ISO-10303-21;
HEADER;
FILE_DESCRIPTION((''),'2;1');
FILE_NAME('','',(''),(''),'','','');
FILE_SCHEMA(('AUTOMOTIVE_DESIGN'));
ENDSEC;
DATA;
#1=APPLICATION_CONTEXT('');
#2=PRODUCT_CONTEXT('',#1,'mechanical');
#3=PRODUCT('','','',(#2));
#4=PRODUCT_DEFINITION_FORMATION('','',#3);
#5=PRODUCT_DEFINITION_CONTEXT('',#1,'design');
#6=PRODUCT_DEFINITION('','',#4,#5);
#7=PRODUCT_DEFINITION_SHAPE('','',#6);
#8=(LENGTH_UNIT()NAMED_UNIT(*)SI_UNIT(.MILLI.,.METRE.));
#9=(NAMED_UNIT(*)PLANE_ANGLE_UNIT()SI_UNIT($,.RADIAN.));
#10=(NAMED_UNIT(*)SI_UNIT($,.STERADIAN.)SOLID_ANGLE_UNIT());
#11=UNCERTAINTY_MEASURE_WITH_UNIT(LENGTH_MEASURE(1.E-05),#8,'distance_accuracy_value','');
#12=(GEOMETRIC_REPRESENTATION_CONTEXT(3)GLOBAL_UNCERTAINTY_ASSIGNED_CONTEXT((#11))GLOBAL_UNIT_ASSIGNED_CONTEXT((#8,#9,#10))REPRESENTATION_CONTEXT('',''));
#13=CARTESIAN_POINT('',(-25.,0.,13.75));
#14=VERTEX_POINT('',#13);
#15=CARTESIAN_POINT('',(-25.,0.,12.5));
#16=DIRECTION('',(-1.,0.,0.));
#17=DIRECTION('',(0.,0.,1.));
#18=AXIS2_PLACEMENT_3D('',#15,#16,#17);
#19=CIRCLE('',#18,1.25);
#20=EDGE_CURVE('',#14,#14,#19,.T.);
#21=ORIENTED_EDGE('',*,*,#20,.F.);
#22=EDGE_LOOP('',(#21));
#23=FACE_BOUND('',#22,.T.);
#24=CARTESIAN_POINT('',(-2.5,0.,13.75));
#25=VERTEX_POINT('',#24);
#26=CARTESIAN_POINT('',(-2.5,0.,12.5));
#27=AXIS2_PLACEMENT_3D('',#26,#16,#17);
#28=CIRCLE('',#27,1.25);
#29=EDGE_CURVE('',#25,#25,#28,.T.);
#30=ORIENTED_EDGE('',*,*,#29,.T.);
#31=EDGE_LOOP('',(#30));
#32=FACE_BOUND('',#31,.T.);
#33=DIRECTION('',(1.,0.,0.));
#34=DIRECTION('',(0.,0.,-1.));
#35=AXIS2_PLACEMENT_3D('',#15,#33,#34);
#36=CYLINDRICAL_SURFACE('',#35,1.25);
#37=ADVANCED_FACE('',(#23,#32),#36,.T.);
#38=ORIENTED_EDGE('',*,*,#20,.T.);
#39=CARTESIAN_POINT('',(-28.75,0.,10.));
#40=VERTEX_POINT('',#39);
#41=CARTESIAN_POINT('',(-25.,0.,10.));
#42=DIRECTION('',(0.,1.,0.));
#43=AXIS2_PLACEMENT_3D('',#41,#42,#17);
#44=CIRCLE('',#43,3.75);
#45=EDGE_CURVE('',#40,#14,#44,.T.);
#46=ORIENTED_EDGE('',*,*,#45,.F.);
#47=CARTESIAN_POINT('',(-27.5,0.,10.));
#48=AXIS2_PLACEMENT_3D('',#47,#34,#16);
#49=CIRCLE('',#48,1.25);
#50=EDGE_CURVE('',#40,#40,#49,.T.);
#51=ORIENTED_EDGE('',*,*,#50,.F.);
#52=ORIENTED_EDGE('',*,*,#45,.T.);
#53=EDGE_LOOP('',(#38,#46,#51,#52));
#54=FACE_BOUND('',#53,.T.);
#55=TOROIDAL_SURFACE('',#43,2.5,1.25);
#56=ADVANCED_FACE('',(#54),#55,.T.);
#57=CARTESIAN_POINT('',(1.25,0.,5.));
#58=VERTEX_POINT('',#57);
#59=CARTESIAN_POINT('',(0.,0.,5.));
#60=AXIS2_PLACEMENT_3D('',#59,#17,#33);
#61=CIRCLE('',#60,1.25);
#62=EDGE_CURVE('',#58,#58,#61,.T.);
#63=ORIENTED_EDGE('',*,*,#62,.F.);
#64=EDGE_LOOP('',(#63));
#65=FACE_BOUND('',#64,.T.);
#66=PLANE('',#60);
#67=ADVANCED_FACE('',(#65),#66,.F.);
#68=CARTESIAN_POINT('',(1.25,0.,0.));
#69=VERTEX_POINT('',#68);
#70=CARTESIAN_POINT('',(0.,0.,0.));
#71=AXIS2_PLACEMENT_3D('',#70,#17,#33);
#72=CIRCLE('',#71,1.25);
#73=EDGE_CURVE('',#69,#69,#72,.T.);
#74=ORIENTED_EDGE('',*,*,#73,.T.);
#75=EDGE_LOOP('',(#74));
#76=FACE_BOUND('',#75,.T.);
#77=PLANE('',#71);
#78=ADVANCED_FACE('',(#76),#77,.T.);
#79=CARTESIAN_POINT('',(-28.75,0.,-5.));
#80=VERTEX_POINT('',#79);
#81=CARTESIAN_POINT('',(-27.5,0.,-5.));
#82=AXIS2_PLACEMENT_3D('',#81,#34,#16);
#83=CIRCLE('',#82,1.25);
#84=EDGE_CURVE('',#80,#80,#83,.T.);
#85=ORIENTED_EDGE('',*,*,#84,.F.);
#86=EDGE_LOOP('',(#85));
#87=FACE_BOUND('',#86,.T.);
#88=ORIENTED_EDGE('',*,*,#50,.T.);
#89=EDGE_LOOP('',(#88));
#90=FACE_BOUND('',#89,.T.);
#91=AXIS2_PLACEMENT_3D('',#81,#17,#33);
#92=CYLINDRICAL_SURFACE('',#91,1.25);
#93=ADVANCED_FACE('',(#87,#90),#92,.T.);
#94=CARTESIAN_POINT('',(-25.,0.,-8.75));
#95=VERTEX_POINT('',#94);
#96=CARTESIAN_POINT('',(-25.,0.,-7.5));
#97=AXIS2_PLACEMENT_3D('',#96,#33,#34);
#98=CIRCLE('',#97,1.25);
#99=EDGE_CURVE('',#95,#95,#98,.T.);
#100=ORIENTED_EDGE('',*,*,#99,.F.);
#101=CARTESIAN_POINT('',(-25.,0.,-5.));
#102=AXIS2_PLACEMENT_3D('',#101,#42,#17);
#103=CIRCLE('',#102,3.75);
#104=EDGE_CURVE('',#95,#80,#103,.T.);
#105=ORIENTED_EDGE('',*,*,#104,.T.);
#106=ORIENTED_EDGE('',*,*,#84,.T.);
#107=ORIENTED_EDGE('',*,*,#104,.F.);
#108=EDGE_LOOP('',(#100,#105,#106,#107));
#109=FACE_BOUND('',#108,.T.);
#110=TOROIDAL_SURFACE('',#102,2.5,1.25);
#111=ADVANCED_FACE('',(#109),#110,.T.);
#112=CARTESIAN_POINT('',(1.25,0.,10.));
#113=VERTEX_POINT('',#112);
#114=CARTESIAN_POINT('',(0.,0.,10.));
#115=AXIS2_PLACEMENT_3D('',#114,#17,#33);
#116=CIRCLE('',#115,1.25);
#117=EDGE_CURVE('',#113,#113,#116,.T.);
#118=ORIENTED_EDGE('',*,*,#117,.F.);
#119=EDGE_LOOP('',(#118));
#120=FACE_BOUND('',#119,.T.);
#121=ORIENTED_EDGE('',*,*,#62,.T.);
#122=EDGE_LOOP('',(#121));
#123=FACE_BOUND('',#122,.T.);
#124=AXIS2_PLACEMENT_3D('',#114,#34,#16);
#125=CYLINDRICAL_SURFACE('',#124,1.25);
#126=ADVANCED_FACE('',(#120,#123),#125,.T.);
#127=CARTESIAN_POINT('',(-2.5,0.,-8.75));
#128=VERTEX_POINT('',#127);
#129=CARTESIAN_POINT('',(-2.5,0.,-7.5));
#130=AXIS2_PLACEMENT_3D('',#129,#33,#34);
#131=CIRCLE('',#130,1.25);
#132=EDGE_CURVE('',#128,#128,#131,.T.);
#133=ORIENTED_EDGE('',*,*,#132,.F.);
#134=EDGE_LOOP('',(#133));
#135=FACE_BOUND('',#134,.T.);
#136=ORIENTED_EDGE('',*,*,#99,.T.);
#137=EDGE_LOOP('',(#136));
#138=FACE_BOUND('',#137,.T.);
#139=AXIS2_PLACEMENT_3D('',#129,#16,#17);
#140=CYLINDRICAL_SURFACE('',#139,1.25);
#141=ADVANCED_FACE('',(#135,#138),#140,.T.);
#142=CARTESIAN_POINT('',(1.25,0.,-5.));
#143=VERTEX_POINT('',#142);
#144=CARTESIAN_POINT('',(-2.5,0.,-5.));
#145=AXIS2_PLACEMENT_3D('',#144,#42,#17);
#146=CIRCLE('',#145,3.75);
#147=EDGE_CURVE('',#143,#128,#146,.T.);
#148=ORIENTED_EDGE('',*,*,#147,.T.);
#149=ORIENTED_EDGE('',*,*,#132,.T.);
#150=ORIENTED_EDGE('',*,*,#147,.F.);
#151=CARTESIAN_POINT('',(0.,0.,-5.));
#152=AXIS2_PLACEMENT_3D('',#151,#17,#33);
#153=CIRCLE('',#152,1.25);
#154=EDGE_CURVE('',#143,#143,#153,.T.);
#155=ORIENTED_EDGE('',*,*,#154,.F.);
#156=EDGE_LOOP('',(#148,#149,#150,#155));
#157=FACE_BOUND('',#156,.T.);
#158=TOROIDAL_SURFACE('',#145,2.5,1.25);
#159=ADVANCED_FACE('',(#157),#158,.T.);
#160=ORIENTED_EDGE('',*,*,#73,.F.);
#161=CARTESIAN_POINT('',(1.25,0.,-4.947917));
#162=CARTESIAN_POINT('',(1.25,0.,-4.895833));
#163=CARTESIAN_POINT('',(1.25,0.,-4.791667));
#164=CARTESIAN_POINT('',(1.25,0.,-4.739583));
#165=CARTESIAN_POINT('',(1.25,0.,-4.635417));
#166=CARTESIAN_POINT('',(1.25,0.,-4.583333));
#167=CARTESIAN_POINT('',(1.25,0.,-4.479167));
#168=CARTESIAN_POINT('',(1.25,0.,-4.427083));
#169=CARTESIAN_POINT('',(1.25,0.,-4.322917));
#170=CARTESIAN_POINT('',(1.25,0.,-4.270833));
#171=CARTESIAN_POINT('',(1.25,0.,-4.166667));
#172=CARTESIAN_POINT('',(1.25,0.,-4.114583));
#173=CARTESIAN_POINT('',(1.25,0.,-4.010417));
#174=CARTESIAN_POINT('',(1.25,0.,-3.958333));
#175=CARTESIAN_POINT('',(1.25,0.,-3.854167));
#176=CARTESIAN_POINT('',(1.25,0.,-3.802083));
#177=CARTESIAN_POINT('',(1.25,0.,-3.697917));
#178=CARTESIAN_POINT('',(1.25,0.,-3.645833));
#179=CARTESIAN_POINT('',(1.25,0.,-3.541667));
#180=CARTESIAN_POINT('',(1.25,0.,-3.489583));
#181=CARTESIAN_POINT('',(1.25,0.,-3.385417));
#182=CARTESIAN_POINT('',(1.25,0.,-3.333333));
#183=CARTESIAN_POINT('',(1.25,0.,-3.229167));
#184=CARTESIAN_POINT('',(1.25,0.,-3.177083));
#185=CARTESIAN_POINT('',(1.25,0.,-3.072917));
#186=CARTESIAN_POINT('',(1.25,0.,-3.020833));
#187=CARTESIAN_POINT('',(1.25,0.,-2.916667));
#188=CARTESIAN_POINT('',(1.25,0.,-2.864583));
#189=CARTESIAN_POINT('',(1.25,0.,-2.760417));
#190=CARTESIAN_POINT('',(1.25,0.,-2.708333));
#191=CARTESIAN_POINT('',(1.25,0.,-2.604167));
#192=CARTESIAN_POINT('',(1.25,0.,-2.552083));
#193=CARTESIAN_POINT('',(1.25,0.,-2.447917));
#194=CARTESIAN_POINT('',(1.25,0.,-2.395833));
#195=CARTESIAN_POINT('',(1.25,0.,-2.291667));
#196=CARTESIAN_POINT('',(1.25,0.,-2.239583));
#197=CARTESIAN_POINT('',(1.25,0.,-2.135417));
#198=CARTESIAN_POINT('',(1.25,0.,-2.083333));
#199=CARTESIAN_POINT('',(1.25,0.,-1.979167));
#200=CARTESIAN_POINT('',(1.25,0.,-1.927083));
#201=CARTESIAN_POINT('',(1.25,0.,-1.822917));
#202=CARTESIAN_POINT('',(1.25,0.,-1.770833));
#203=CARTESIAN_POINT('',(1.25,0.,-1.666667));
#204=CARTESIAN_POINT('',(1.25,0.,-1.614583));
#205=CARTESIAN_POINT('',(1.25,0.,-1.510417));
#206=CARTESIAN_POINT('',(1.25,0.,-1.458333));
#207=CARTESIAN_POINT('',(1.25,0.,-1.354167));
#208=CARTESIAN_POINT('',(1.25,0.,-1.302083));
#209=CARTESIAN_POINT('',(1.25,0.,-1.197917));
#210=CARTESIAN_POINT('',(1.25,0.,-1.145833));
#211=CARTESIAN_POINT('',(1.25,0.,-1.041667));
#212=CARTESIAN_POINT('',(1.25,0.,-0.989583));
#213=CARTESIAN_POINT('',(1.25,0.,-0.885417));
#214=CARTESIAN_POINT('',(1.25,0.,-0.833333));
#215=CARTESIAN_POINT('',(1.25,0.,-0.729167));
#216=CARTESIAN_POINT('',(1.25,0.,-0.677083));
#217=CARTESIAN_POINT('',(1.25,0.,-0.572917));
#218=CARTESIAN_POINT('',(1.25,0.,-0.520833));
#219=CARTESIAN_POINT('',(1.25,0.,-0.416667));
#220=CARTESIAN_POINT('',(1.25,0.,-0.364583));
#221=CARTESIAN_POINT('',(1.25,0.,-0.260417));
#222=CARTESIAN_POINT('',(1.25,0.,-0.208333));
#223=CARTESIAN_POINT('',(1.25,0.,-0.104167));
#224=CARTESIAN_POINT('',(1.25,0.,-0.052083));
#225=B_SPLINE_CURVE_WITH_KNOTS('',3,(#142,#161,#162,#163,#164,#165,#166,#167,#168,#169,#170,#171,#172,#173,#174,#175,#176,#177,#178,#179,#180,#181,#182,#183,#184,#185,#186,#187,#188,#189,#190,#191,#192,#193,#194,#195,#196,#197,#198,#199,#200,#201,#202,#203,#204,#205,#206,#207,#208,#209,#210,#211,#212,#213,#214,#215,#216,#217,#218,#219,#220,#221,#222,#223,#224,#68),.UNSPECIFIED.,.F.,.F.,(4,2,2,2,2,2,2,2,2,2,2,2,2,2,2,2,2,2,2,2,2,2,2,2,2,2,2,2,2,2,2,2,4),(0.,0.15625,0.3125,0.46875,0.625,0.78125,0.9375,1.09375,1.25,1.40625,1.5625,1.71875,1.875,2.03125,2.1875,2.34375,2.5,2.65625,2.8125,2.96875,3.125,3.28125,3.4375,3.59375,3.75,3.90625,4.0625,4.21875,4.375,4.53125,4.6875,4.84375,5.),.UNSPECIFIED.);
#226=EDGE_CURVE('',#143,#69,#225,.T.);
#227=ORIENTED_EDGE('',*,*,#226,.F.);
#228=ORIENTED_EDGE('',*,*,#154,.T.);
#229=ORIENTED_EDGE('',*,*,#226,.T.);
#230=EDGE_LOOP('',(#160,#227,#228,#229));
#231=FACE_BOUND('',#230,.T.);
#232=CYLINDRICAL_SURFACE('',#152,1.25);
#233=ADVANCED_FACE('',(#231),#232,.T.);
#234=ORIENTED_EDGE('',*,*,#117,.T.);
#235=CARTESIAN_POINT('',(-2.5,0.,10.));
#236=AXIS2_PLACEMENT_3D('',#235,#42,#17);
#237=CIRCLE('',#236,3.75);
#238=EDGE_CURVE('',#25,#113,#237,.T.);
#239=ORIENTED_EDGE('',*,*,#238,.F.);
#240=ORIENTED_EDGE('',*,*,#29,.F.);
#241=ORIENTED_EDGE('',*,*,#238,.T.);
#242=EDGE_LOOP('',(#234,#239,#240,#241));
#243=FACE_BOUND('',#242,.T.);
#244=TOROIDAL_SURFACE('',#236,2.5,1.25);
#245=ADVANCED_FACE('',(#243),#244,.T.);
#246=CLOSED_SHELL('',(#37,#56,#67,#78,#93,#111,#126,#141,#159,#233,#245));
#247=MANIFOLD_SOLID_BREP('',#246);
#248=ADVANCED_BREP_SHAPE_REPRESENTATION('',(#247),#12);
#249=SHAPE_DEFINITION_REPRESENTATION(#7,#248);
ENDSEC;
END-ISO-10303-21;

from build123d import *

# Parameters (mm, degrees)
ESQUISSE1_R = 1.25


with BuildPart() as part:
    # Balayage1: sweep along a path in Esquisse2
    with BuildLine(Plane(origin=(0, 0, 0), x_dir=(1, 0, 0), z_dir=(0, 1, 0))) as balayage1_path:
        Line((0, 0), (0, 5))
        ThreePointArc((0, 5), (-0.732233047, 6.767766953), (-2.5, 7.5))
        Line((-2.5, 7.5), (-25, 7.5))
        ThreePointArc((-25, 7.5), (-26.767766953, 6.767766953), (-27.5, 5))
        Line((-27.5, 5), (-27.5, -10))
        ThreePointArc((-27.5, -10), (-26.767766953, -11.767766953), (-25, -12.5))
        Line((-25, -12.5), (-2.5, -12.5))
        ThreePointArc((-2.5, -12.5), (-0.732233047, -11.767766953), (0, -10))
        Line((0, -10), (0, -5))
    # Esquisse1 → Balayage1 (sweep)
    with BuildSketch(Plane.XY):
        Circle(ESQUISSE1_R)
    sweep(path=balayage1_path.line)


solid = part.part
